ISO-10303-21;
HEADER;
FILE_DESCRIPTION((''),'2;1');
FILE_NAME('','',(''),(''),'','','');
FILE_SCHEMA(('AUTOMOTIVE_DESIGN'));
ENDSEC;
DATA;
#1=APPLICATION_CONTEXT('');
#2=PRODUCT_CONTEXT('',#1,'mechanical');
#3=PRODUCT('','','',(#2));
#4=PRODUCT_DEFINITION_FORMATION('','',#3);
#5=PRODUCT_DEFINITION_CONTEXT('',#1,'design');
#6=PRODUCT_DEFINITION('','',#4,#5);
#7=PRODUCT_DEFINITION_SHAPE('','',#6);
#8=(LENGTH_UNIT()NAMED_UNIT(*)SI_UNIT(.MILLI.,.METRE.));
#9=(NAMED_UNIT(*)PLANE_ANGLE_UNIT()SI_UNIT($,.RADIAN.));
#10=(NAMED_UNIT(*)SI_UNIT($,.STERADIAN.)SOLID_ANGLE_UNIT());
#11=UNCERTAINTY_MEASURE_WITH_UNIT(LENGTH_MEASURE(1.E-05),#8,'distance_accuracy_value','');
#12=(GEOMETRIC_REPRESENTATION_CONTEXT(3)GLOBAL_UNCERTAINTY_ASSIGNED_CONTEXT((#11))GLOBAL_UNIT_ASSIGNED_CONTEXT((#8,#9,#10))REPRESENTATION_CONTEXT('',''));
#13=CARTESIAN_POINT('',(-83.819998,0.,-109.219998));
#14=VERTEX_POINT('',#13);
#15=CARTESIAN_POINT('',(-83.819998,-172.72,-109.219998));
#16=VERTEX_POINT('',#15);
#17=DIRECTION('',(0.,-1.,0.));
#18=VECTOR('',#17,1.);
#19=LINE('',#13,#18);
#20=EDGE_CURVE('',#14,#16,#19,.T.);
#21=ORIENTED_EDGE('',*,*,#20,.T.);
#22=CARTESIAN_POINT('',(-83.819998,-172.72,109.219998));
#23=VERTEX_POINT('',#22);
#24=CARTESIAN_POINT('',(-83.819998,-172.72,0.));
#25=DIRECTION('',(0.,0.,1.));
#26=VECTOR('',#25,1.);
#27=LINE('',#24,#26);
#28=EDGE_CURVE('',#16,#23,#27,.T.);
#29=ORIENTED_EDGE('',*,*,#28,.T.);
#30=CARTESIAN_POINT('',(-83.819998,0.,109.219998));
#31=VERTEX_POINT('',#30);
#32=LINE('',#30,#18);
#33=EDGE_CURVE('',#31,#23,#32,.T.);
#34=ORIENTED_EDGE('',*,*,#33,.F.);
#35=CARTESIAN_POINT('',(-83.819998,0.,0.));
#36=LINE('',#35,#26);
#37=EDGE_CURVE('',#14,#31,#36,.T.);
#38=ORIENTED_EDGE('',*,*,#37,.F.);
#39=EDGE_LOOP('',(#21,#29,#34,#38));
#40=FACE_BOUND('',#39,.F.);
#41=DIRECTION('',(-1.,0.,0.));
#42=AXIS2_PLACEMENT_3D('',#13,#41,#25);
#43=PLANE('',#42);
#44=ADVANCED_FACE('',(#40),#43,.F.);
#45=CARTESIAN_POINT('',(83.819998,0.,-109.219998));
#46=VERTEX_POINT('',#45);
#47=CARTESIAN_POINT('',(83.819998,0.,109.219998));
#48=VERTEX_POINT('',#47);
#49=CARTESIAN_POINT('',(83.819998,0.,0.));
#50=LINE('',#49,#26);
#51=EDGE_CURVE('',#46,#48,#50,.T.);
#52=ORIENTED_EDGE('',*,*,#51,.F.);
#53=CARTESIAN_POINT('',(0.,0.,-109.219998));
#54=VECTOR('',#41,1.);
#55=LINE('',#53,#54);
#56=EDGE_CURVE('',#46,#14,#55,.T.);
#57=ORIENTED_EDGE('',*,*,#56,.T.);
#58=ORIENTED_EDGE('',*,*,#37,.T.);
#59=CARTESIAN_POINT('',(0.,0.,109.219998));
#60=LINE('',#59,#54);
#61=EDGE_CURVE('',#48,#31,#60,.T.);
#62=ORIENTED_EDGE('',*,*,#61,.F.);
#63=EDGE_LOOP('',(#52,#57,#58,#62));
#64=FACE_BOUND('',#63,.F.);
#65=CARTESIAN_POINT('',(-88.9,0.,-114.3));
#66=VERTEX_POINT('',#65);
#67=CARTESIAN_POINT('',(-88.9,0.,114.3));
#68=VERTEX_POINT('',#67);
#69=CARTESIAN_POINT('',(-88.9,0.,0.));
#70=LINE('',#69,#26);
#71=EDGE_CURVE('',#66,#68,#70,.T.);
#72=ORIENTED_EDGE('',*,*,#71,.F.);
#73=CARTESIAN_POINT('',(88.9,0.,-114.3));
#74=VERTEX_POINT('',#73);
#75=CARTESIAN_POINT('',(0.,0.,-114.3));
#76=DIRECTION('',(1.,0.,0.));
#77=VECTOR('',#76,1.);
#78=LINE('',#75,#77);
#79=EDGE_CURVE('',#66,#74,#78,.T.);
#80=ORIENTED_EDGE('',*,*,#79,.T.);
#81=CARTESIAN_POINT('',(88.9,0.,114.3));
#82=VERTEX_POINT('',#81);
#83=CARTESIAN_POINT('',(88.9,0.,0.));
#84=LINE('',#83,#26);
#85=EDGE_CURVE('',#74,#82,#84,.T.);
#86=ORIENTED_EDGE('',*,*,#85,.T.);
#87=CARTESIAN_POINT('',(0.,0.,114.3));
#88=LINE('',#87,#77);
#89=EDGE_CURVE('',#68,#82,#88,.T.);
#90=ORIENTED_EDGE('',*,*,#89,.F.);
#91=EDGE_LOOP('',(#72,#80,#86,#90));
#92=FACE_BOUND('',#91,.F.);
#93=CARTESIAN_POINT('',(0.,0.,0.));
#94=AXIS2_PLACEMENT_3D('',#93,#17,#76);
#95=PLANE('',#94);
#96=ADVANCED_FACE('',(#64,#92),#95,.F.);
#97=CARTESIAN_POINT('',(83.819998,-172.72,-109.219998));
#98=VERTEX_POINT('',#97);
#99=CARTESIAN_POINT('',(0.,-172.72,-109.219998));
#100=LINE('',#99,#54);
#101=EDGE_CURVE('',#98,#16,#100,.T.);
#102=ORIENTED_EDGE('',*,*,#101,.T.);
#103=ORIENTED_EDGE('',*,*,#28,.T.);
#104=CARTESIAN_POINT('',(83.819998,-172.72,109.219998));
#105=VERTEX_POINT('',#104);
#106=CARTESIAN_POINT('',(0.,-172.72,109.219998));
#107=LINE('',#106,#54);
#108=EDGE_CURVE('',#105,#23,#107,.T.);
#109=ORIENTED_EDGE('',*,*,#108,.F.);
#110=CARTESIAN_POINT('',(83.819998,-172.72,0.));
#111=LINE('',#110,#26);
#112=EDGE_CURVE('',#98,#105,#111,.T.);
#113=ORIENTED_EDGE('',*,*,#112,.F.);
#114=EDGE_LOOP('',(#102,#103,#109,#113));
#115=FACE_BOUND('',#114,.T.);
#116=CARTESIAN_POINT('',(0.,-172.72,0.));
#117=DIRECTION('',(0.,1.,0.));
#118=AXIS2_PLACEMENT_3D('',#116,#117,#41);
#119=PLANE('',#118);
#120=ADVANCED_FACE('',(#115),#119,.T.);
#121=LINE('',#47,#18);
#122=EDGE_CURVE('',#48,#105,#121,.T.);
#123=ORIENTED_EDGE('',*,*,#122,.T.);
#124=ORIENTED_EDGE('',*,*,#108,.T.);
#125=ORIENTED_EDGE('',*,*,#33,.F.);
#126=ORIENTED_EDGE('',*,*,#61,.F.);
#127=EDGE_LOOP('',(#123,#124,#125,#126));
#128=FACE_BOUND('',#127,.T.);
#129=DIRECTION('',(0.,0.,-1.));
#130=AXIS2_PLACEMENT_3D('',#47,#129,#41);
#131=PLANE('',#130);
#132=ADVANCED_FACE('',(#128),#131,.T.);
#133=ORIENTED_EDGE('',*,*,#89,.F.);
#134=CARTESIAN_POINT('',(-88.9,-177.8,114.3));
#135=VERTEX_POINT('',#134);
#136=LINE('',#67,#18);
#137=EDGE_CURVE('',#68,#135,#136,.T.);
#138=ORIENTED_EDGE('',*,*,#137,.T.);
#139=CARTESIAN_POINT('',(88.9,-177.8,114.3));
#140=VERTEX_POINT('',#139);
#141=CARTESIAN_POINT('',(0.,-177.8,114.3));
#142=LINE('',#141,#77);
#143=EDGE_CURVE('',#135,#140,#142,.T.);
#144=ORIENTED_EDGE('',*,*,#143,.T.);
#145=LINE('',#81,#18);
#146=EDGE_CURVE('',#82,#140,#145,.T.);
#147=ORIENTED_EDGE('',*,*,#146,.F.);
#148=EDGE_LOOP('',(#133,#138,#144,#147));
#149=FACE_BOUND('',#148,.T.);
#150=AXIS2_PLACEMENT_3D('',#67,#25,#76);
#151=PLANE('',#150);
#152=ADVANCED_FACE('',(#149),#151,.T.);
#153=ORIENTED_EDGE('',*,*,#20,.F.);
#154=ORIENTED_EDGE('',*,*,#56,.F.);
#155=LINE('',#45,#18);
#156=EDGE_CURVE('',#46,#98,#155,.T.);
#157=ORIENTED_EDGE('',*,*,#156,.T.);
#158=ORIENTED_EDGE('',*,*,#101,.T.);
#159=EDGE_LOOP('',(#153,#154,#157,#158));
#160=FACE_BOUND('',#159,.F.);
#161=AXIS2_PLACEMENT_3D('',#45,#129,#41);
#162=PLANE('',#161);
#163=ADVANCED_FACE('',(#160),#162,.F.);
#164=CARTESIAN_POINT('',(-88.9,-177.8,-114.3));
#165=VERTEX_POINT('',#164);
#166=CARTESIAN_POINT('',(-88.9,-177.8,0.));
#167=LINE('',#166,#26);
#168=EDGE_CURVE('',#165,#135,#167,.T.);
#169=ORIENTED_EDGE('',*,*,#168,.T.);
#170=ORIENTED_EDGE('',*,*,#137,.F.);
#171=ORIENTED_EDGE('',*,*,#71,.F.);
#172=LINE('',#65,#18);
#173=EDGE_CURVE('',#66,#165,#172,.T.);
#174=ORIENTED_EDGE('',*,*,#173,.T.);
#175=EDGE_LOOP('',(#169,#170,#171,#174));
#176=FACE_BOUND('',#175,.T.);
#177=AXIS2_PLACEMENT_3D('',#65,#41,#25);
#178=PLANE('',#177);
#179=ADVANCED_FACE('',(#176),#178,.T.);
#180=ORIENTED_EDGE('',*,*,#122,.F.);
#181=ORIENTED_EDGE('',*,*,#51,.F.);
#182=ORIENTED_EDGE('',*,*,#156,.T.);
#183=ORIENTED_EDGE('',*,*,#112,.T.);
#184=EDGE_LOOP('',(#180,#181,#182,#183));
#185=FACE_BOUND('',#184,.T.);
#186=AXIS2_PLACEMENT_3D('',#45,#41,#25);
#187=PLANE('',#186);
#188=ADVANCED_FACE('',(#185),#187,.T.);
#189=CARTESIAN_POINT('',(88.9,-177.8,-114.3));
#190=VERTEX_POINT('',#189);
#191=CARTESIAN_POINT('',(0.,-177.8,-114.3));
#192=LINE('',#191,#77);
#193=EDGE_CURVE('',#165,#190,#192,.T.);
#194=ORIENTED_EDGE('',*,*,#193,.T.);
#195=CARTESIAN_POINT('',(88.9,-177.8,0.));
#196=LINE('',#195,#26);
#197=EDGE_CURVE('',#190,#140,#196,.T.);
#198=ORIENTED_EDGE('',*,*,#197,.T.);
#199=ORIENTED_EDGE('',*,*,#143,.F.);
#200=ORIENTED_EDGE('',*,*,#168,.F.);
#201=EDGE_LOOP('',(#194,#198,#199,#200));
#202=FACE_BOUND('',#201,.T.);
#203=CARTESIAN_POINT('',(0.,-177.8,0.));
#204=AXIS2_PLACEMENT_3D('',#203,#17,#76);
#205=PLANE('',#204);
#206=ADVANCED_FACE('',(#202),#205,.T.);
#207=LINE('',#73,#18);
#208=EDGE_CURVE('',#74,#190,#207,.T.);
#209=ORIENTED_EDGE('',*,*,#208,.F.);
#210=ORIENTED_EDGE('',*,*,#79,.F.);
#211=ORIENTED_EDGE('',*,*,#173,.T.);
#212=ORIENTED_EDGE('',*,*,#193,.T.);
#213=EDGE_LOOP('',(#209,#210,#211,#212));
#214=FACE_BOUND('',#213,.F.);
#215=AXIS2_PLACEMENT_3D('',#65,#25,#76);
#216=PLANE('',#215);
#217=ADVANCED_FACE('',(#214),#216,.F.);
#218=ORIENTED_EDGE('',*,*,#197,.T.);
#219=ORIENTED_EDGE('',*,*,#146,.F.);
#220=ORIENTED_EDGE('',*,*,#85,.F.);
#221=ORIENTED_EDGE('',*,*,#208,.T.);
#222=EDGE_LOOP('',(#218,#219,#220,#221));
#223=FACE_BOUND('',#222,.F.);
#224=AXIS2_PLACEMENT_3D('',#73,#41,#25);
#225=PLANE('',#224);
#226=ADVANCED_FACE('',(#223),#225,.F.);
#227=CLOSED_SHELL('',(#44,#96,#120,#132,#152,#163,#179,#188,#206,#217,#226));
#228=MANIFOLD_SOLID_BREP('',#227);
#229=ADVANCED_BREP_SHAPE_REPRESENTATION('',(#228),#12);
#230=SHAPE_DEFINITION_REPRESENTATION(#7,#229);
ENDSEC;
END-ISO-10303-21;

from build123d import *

# Parameters (mm, degrees)
F0_W     = 177.8
F0_H     = 228.6
F1_DEPTH = 177.8
F2_W     = 167.639996
F2_H     = 218.439996
F3_DEPTH = 172.72


with BuildPart() as f1:
    # F0 (on Front) → F1 (new body)
    with BuildSketch(Plane.XZ):
        Rectangle(F0_W, F0_H)
    extrude(amount=F1_DEPTH)

    # F2 (on face) → F3 (cut)
    with BuildSketch(Plane(origin=(0, 0, 0), x_dir=(-1, 0, 0), z_dir=(0, 1, 0))):
        Rectangle(F2_W, F2_H)
    extrude(amount=-F3_DEPTH, mode=Mode.SUBTRACT)


solid = f1.part
